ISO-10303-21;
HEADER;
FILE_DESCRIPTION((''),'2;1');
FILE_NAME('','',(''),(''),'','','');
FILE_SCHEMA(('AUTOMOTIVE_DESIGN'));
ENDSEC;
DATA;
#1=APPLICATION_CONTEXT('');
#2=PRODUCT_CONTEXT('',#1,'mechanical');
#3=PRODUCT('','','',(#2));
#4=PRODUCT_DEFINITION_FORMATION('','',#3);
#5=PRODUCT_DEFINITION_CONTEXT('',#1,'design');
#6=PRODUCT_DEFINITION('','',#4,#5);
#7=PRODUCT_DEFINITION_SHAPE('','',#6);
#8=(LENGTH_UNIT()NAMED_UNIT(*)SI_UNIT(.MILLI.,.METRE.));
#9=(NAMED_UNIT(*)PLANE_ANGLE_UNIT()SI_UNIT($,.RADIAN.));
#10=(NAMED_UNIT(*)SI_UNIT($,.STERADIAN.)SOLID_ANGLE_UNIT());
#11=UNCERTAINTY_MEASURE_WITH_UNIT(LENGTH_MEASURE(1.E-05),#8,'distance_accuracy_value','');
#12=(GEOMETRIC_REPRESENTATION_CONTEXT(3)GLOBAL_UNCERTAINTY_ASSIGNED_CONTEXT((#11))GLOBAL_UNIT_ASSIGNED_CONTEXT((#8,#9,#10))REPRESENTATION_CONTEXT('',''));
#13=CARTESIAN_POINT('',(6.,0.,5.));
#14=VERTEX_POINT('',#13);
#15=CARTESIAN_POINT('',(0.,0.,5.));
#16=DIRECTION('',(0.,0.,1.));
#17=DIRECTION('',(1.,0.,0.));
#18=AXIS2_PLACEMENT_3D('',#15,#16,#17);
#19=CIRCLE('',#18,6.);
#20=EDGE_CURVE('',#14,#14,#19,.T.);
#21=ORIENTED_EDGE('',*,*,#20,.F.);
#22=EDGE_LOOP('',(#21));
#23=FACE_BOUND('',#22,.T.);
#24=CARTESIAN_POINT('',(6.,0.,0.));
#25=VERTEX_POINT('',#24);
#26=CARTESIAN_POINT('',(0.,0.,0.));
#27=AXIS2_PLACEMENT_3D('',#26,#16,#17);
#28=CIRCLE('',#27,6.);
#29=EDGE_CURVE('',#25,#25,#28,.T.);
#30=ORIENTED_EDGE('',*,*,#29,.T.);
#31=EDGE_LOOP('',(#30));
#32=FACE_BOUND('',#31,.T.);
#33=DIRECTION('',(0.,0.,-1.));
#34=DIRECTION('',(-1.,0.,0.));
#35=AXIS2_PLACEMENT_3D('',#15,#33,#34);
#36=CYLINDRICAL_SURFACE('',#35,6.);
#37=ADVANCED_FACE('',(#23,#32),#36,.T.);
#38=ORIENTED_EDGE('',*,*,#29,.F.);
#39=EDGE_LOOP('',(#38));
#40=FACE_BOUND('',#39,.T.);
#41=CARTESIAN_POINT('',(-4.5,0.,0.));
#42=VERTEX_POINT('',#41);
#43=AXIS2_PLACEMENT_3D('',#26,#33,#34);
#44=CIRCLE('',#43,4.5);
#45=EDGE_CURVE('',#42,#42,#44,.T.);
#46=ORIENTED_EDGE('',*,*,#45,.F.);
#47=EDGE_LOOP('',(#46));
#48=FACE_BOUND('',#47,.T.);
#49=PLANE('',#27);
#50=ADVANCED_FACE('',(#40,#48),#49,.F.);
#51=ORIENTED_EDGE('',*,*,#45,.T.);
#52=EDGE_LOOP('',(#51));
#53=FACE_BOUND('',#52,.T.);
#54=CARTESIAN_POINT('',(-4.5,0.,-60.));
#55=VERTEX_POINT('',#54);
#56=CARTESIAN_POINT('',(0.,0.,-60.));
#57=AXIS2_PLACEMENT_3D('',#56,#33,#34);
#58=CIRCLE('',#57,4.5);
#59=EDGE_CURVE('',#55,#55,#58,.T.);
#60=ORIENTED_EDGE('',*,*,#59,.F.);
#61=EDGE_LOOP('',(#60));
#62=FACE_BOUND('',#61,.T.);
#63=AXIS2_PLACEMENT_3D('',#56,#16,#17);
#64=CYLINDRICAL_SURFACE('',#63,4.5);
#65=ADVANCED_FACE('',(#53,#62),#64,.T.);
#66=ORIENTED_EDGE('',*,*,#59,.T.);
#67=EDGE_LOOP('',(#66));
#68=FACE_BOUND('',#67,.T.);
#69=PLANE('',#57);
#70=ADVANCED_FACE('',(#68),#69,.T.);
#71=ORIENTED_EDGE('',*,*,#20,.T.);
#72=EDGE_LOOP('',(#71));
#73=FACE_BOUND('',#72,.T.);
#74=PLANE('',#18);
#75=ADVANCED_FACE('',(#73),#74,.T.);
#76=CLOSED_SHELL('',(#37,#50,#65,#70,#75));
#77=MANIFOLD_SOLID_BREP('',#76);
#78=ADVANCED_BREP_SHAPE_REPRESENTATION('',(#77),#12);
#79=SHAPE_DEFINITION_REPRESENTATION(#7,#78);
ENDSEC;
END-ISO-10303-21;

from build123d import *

# Parameters (mm, degrees)
SKETCH_1_R      = 6
EXTRUDE_1_DEPTH = 5
SKETCH_2_R      = 4.5
EXTRUDE_2_DEPTH = 60


with BuildPart() as part:
    # 草图1 → 凸台-拉伸1 (new body)
    with BuildSketch(Plane.XY):
        Circle(SKETCH_1_R)
    extrude(amount=EXTRUDE_1_DEPTH)

    # 草图2 → 凸台-拉伸2 (add)
    with BuildSketch(Plane(origin=(0, 0, 0), x_dir=(-1, 0, 0), z_dir=(0, 0, -1))):
        Circle(SKETCH_2_R)
    extrude(amount=EXTRUDE_2_DEPTH)


solid = part.part
